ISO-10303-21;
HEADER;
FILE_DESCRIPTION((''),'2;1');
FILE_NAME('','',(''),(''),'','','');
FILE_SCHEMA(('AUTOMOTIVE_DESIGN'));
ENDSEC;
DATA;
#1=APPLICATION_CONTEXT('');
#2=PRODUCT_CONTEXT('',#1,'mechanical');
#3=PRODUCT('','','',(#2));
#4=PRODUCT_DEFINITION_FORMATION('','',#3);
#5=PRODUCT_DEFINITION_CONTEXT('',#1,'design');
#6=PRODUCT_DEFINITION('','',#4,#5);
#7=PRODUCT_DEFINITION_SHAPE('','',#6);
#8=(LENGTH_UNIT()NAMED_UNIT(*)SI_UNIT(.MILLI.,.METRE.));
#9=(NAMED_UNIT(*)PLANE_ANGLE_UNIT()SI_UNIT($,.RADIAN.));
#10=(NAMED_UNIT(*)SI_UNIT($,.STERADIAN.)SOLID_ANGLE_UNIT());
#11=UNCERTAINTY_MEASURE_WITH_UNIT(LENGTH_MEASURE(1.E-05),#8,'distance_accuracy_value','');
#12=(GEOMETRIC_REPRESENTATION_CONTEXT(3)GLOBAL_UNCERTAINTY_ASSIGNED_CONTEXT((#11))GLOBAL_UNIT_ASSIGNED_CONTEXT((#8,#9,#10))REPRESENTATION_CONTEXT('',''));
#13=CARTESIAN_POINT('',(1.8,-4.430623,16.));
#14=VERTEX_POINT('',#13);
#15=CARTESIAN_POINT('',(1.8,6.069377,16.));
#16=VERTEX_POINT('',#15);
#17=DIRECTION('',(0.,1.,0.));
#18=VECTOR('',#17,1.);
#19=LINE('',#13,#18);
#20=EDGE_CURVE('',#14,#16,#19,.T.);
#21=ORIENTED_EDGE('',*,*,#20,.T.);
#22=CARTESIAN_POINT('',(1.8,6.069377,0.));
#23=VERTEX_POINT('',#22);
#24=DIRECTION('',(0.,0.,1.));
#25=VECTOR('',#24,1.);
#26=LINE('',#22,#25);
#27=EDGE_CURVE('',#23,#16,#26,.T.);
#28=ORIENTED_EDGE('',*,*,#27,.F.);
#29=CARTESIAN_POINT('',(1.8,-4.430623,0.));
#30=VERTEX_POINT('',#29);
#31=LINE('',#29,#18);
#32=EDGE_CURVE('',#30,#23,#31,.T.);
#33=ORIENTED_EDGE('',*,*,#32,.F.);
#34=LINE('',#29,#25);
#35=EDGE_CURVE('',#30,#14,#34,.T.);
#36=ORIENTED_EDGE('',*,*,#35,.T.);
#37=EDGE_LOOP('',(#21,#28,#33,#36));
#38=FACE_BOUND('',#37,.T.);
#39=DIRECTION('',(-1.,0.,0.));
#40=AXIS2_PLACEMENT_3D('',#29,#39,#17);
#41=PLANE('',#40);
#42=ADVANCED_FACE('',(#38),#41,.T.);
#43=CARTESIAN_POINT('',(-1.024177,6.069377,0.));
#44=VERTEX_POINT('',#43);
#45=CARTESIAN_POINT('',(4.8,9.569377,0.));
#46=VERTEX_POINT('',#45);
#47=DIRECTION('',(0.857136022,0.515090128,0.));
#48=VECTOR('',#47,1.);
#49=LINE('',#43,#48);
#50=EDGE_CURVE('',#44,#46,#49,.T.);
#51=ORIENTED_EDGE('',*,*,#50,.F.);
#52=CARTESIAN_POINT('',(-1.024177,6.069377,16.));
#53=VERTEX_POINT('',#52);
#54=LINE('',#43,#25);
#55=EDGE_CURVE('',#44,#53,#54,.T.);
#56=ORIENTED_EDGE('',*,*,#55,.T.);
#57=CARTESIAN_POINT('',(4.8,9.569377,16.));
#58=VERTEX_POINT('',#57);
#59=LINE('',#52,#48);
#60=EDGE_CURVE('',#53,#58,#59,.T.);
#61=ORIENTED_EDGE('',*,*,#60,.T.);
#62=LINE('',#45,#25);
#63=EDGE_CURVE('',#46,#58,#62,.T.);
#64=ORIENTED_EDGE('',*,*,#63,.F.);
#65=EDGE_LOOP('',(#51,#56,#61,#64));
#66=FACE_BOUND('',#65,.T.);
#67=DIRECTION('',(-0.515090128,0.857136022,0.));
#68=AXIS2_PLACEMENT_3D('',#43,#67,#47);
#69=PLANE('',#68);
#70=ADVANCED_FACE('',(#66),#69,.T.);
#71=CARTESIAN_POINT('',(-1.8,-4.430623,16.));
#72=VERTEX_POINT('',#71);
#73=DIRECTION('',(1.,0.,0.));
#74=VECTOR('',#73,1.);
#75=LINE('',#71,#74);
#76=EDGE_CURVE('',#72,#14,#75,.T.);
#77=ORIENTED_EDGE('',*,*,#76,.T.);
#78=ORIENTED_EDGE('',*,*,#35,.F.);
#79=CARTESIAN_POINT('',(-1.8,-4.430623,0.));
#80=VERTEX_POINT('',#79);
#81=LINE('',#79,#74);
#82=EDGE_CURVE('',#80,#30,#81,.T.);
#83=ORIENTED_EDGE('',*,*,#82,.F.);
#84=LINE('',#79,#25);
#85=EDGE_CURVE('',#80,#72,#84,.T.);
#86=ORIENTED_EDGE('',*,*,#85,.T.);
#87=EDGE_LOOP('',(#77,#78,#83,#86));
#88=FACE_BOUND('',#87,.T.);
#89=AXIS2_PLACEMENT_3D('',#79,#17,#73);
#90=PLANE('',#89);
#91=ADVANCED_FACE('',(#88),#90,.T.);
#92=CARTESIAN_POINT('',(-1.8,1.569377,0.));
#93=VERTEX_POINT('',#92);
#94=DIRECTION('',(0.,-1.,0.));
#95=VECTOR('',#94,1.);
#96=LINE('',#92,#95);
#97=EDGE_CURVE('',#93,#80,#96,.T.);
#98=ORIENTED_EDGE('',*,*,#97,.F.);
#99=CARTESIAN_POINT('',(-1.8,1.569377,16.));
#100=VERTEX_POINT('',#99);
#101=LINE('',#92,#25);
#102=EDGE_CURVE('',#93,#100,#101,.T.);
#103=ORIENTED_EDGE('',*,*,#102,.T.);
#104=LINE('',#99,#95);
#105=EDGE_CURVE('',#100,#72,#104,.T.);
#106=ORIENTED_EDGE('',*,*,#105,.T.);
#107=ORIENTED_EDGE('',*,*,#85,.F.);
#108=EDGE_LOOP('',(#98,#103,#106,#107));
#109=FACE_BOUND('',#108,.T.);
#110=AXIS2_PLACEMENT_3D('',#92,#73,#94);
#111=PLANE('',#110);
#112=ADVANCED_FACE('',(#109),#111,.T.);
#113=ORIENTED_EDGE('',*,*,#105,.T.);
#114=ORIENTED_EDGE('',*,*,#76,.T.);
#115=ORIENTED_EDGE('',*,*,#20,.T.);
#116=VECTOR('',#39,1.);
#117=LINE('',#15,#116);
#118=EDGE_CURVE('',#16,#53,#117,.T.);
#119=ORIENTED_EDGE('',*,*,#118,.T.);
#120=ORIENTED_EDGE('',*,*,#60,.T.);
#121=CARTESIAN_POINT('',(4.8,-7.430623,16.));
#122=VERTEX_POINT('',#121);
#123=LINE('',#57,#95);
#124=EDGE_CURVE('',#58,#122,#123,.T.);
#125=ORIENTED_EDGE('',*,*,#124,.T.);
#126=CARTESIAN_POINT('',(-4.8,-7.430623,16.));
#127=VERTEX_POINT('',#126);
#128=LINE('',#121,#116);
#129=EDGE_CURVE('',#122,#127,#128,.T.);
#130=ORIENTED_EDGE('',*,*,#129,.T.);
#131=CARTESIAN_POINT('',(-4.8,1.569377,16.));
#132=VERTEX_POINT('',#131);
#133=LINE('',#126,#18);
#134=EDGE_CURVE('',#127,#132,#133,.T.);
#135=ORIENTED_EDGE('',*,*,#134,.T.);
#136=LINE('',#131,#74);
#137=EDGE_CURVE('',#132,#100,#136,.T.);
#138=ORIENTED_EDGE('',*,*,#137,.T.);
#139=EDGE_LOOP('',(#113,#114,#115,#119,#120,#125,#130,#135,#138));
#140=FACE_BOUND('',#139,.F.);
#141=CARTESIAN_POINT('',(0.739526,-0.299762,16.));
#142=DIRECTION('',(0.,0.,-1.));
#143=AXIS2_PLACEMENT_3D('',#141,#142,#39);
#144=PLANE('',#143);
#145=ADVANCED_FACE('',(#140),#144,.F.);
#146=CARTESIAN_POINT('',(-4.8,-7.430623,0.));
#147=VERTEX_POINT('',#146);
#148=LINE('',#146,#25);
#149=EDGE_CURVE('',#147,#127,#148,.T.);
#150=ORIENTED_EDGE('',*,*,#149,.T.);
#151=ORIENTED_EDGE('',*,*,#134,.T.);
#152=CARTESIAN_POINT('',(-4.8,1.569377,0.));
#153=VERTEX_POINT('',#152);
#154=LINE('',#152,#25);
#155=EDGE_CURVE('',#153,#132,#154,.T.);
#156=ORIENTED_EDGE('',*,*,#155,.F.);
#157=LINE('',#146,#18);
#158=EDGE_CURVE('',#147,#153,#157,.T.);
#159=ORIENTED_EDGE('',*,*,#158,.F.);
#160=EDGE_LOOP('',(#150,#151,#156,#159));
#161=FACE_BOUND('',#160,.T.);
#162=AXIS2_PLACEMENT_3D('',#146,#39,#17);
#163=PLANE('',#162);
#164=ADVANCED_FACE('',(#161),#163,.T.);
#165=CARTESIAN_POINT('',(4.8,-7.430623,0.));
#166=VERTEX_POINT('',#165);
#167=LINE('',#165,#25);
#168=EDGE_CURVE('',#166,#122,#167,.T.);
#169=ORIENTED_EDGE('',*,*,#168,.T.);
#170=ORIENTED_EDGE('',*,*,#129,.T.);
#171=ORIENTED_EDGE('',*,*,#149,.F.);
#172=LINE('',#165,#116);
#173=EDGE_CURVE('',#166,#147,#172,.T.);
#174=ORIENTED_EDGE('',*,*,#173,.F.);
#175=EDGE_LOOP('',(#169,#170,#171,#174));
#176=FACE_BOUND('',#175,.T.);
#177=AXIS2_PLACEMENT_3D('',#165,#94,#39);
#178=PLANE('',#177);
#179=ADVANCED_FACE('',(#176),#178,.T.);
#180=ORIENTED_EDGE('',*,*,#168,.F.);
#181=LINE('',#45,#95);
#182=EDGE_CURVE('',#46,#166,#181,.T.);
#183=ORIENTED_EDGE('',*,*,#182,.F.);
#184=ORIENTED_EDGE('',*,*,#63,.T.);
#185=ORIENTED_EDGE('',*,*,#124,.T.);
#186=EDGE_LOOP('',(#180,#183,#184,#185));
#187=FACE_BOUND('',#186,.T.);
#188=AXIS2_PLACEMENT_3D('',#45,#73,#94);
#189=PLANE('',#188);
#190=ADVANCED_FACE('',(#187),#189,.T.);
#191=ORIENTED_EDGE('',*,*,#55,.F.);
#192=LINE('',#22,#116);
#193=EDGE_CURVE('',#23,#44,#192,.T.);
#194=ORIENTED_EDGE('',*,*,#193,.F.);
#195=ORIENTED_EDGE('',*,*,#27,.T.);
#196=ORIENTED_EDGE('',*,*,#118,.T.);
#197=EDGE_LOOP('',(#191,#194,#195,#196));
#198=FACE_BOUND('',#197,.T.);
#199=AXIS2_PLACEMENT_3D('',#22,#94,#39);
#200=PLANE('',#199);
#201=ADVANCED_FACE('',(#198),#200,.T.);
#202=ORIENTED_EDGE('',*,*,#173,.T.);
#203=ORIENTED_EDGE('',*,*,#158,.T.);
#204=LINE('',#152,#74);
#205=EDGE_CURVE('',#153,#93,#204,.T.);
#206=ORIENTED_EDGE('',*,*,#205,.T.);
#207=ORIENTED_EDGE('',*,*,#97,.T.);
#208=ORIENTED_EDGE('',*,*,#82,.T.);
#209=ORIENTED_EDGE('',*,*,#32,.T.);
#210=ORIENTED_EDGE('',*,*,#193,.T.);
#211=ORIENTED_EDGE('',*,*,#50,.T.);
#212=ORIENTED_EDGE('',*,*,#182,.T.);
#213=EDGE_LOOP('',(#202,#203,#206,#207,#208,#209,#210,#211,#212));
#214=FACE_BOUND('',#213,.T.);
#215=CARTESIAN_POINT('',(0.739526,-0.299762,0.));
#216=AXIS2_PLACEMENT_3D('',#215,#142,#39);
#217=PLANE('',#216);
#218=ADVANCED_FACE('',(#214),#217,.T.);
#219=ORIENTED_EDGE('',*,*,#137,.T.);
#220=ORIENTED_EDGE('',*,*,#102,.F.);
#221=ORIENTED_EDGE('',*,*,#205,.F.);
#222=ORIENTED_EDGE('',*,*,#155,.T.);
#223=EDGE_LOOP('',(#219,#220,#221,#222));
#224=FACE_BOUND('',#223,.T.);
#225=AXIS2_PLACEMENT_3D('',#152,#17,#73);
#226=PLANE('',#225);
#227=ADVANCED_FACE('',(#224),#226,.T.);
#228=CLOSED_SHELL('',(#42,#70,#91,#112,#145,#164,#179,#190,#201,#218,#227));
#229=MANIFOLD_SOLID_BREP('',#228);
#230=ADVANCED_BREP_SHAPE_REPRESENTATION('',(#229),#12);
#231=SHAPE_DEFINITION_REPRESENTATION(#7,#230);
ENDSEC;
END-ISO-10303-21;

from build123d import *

# Parameters (mm, degrees)
PAD_DEPTH = 16


with BuildPart() as part:
    # Sketch → Pad (new body)
    with BuildSketch(Plane.XY):
        Polygon((-4.8, 1.569377), (-1.8, 1.569377), (-1.8, -4.430623), (1.8, -4.430623), (1.8, 6.069377), (-1.024177, 6.069377), (4.8, 9.569377), (4.8, -7.430623), (-4.8, -7.430623), align=None)
    extrude(amount=PAD_DEPTH)


solid = part.part
